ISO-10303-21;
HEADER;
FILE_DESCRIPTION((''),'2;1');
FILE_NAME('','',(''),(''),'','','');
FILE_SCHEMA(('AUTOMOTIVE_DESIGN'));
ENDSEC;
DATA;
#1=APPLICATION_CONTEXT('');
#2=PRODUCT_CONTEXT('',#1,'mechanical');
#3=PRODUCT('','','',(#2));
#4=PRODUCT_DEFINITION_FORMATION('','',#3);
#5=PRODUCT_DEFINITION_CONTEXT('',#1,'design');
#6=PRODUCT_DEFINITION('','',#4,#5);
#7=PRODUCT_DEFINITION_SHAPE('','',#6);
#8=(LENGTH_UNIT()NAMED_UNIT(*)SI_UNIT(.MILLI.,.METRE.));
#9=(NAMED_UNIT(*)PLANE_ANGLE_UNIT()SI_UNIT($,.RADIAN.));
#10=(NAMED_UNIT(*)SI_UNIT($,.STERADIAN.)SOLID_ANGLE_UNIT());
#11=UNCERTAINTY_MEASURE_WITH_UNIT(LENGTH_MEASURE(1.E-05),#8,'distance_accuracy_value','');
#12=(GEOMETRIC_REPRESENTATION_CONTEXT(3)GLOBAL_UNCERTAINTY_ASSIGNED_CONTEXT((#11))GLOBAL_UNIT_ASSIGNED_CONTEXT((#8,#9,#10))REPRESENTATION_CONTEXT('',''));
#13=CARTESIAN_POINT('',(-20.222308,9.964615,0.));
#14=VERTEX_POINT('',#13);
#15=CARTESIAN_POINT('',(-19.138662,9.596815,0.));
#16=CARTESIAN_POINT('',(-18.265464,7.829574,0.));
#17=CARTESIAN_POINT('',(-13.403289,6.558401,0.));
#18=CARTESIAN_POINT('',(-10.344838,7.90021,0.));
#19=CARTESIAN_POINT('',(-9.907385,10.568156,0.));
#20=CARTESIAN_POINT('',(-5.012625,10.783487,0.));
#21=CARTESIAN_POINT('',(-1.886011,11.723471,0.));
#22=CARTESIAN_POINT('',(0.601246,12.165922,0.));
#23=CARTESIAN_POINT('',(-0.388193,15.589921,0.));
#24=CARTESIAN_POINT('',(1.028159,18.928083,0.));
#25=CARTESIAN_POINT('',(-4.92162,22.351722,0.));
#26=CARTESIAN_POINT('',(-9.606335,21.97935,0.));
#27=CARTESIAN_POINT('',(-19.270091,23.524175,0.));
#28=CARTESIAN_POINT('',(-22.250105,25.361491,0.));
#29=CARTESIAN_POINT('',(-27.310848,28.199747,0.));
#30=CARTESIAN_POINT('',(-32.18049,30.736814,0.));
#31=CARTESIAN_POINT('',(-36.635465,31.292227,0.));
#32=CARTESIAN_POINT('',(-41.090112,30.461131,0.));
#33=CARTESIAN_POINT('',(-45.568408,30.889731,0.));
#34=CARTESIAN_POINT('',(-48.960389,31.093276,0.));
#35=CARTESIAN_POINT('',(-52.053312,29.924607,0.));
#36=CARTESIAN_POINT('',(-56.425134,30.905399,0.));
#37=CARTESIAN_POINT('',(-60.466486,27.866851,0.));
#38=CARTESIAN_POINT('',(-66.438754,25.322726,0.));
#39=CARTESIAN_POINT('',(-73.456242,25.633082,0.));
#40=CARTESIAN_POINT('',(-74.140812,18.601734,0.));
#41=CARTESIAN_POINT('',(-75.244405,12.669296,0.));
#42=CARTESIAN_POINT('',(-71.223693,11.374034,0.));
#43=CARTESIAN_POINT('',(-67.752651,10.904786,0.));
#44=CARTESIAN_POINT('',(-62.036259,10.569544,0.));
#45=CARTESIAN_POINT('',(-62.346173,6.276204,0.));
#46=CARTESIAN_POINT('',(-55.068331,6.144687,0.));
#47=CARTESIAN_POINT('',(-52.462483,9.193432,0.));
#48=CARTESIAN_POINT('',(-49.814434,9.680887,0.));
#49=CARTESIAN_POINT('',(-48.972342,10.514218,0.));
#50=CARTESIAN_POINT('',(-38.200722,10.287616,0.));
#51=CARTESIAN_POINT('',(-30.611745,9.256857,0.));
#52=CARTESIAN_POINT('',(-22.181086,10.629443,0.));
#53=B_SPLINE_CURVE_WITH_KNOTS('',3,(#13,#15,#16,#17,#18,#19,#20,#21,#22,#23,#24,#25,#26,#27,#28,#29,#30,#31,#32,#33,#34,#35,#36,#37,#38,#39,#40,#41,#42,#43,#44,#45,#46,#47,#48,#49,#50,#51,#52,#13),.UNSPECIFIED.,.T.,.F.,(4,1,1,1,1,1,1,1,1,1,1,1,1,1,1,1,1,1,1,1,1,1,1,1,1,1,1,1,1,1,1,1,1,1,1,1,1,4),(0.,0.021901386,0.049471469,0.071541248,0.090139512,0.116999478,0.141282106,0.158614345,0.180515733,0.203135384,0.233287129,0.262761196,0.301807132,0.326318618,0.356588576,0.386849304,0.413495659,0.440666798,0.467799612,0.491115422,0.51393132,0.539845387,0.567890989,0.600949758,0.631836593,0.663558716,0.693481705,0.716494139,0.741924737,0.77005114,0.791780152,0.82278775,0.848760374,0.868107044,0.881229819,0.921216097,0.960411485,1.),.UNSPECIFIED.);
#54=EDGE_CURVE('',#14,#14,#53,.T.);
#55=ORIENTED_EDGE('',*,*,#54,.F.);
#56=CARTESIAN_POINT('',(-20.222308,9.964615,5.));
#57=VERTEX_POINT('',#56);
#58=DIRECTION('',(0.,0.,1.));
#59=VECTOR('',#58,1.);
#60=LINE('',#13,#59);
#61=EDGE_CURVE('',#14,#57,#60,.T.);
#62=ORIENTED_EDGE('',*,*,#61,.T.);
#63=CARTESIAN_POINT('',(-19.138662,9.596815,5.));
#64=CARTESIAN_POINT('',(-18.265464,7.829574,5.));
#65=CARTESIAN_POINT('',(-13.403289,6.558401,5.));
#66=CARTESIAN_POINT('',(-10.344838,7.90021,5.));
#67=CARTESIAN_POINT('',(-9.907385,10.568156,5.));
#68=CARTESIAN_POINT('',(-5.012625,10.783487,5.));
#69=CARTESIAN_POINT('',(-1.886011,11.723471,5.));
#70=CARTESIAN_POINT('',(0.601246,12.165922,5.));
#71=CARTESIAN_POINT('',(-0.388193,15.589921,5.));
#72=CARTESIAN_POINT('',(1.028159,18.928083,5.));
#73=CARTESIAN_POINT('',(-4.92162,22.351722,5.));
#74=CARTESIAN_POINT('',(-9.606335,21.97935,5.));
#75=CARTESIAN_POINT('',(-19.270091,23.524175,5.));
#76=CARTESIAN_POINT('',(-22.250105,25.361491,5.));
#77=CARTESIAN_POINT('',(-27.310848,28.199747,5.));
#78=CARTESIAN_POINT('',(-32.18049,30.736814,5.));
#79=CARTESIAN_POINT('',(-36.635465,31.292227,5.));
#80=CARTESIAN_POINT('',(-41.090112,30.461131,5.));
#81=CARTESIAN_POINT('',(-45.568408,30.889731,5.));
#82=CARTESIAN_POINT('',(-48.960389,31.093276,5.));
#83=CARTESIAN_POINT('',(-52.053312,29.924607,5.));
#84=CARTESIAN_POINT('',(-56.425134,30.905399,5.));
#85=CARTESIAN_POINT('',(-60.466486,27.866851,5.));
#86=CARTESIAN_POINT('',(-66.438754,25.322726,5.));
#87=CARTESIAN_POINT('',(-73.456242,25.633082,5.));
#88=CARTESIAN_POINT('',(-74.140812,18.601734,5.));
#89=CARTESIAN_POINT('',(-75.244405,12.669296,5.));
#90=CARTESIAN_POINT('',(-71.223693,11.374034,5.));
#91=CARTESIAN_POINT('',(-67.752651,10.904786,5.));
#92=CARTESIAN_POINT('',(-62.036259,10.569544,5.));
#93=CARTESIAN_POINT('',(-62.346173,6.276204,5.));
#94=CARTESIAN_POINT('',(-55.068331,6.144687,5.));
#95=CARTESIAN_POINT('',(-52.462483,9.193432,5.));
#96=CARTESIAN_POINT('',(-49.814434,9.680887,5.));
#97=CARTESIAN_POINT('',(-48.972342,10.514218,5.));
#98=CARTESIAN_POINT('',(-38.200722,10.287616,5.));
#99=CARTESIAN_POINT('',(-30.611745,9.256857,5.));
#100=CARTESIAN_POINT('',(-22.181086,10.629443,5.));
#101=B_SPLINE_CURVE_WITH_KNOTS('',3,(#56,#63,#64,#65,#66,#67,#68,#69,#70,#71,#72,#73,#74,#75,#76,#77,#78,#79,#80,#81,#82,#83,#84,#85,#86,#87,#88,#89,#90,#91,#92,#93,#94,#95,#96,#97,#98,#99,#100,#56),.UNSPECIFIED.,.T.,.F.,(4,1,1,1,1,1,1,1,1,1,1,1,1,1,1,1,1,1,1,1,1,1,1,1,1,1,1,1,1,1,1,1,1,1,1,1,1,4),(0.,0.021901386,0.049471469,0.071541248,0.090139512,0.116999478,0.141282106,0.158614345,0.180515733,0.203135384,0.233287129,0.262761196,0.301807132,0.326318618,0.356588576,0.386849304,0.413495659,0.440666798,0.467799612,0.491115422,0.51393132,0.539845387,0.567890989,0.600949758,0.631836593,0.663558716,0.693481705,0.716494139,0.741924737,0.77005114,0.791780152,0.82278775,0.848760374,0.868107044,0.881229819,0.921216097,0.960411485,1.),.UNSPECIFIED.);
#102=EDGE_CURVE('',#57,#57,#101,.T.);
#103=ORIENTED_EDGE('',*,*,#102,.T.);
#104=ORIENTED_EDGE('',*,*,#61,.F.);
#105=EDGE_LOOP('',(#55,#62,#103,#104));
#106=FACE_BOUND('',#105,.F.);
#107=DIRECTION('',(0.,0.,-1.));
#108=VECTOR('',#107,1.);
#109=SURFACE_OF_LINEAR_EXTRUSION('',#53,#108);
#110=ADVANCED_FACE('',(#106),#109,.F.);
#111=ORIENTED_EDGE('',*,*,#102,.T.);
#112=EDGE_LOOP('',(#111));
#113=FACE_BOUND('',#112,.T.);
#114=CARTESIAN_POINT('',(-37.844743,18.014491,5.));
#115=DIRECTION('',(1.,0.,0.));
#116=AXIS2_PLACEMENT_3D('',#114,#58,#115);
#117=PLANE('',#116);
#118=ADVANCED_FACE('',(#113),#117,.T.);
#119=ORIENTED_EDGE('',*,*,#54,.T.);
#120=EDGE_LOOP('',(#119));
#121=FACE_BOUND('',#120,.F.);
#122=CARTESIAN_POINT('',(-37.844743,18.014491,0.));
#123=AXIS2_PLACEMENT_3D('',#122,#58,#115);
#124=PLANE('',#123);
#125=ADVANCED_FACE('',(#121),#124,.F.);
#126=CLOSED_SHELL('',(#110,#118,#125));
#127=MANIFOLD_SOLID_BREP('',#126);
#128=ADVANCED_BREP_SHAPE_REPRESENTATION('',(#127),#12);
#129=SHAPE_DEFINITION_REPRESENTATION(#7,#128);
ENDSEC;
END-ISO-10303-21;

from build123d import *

# Parameters (mm, degrees)
F1_DEPTH = 5


with BuildPart() as f1:
    # F0 (on Top) → F1 (new body)
    with BuildSketch(Plane.XY):
        with BuildLine():
            add(Edge.make_bspline(
                [(-20.2223081142, 9.9646151066), (-19.1386618581, 9.5968150279), (-18.2654642244, 7.8295739731), (-13.4032888047, 6.5584008241), (-10.3448376757, 7.9002096196), (-9.9073848923, 10.56815609), (-5.0126249028, 10.7834870558), (-1.88601058, 11.7234711469), (0.6012464093, 12.1659222816), (-0.3881925765, 15.5899210993), (1.028158618, 18.9280831351), (-4.9216202642, 22.3517220825), (-9.6063354119, 21.9793497026), (-19.2700910968, 23.5241751884), (-22.2501054212, 25.3614911926), (-27.3108481415, 28.1997472068), (-32.180489874, 30.736813801), (-36.6354646812, 31.2922270568), (-41.0901115539, 30.4611310862), (-45.5684078369, 30.8897308223), (-48.9603890702, 31.0932758178), (-52.0533122883, 29.9246071271), (-56.4251342051, 30.9053986143), (-60.4664855372, 27.8668512774), (-66.4387541105, 25.3227261406), (-73.4562424497, 25.6330822768), (-74.1408122408, 18.6017341381), (-75.244404603, 12.6692960335), (-71.2236925723, 11.374033551), (-67.752651187, 10.904786269), (-62.0362590981, 10.5695437238), (-62.3461729919, 6.2762039126), (-55.0683306066, 6.1446866054), (-52.4624834498, 9.1934321052), (-49.8144335014, 9.6808865508), (-48.9723419422, 10.5142182575), (-38.2007218536, 10.2876158461), (-30.6117451442, 9.2568568071), (-22.1810857683, 10.6294432931), (-20.2223081142, 9.9646151066)],
                knots=[0, 0, 0, 0, 0.0219013862, 0.049471469, 0.0715412483, 0.0901395119, 0.116999478, 0.1412821056, 0.1586143446, 0.1805157329, 0.2031353838, 0.2332871287, 0.2627611958, 0.301807132, 0.3263186179, 0.3565885762, 0.386849304, 0.4134956588, 0.4406667981, 0.4677996119, 0.4911154224, 0.5139313204, 0.5398453865, 0.5678909888, 0.6009497585, 0.6318365929, 0.6635587158, 0.6934817045, 0.7164941394, 0.7419247373, 0.7700511403, 0.791780152, 0.8227877497, 0.8487603737, 0.8681070437, 0.8812298186, 0.9212160974, 0.9604114852, 1, 1, 1, 1], degree=3))
        make_face()
    extrude(amount=F1_DEPTH)


solid = f1.part
